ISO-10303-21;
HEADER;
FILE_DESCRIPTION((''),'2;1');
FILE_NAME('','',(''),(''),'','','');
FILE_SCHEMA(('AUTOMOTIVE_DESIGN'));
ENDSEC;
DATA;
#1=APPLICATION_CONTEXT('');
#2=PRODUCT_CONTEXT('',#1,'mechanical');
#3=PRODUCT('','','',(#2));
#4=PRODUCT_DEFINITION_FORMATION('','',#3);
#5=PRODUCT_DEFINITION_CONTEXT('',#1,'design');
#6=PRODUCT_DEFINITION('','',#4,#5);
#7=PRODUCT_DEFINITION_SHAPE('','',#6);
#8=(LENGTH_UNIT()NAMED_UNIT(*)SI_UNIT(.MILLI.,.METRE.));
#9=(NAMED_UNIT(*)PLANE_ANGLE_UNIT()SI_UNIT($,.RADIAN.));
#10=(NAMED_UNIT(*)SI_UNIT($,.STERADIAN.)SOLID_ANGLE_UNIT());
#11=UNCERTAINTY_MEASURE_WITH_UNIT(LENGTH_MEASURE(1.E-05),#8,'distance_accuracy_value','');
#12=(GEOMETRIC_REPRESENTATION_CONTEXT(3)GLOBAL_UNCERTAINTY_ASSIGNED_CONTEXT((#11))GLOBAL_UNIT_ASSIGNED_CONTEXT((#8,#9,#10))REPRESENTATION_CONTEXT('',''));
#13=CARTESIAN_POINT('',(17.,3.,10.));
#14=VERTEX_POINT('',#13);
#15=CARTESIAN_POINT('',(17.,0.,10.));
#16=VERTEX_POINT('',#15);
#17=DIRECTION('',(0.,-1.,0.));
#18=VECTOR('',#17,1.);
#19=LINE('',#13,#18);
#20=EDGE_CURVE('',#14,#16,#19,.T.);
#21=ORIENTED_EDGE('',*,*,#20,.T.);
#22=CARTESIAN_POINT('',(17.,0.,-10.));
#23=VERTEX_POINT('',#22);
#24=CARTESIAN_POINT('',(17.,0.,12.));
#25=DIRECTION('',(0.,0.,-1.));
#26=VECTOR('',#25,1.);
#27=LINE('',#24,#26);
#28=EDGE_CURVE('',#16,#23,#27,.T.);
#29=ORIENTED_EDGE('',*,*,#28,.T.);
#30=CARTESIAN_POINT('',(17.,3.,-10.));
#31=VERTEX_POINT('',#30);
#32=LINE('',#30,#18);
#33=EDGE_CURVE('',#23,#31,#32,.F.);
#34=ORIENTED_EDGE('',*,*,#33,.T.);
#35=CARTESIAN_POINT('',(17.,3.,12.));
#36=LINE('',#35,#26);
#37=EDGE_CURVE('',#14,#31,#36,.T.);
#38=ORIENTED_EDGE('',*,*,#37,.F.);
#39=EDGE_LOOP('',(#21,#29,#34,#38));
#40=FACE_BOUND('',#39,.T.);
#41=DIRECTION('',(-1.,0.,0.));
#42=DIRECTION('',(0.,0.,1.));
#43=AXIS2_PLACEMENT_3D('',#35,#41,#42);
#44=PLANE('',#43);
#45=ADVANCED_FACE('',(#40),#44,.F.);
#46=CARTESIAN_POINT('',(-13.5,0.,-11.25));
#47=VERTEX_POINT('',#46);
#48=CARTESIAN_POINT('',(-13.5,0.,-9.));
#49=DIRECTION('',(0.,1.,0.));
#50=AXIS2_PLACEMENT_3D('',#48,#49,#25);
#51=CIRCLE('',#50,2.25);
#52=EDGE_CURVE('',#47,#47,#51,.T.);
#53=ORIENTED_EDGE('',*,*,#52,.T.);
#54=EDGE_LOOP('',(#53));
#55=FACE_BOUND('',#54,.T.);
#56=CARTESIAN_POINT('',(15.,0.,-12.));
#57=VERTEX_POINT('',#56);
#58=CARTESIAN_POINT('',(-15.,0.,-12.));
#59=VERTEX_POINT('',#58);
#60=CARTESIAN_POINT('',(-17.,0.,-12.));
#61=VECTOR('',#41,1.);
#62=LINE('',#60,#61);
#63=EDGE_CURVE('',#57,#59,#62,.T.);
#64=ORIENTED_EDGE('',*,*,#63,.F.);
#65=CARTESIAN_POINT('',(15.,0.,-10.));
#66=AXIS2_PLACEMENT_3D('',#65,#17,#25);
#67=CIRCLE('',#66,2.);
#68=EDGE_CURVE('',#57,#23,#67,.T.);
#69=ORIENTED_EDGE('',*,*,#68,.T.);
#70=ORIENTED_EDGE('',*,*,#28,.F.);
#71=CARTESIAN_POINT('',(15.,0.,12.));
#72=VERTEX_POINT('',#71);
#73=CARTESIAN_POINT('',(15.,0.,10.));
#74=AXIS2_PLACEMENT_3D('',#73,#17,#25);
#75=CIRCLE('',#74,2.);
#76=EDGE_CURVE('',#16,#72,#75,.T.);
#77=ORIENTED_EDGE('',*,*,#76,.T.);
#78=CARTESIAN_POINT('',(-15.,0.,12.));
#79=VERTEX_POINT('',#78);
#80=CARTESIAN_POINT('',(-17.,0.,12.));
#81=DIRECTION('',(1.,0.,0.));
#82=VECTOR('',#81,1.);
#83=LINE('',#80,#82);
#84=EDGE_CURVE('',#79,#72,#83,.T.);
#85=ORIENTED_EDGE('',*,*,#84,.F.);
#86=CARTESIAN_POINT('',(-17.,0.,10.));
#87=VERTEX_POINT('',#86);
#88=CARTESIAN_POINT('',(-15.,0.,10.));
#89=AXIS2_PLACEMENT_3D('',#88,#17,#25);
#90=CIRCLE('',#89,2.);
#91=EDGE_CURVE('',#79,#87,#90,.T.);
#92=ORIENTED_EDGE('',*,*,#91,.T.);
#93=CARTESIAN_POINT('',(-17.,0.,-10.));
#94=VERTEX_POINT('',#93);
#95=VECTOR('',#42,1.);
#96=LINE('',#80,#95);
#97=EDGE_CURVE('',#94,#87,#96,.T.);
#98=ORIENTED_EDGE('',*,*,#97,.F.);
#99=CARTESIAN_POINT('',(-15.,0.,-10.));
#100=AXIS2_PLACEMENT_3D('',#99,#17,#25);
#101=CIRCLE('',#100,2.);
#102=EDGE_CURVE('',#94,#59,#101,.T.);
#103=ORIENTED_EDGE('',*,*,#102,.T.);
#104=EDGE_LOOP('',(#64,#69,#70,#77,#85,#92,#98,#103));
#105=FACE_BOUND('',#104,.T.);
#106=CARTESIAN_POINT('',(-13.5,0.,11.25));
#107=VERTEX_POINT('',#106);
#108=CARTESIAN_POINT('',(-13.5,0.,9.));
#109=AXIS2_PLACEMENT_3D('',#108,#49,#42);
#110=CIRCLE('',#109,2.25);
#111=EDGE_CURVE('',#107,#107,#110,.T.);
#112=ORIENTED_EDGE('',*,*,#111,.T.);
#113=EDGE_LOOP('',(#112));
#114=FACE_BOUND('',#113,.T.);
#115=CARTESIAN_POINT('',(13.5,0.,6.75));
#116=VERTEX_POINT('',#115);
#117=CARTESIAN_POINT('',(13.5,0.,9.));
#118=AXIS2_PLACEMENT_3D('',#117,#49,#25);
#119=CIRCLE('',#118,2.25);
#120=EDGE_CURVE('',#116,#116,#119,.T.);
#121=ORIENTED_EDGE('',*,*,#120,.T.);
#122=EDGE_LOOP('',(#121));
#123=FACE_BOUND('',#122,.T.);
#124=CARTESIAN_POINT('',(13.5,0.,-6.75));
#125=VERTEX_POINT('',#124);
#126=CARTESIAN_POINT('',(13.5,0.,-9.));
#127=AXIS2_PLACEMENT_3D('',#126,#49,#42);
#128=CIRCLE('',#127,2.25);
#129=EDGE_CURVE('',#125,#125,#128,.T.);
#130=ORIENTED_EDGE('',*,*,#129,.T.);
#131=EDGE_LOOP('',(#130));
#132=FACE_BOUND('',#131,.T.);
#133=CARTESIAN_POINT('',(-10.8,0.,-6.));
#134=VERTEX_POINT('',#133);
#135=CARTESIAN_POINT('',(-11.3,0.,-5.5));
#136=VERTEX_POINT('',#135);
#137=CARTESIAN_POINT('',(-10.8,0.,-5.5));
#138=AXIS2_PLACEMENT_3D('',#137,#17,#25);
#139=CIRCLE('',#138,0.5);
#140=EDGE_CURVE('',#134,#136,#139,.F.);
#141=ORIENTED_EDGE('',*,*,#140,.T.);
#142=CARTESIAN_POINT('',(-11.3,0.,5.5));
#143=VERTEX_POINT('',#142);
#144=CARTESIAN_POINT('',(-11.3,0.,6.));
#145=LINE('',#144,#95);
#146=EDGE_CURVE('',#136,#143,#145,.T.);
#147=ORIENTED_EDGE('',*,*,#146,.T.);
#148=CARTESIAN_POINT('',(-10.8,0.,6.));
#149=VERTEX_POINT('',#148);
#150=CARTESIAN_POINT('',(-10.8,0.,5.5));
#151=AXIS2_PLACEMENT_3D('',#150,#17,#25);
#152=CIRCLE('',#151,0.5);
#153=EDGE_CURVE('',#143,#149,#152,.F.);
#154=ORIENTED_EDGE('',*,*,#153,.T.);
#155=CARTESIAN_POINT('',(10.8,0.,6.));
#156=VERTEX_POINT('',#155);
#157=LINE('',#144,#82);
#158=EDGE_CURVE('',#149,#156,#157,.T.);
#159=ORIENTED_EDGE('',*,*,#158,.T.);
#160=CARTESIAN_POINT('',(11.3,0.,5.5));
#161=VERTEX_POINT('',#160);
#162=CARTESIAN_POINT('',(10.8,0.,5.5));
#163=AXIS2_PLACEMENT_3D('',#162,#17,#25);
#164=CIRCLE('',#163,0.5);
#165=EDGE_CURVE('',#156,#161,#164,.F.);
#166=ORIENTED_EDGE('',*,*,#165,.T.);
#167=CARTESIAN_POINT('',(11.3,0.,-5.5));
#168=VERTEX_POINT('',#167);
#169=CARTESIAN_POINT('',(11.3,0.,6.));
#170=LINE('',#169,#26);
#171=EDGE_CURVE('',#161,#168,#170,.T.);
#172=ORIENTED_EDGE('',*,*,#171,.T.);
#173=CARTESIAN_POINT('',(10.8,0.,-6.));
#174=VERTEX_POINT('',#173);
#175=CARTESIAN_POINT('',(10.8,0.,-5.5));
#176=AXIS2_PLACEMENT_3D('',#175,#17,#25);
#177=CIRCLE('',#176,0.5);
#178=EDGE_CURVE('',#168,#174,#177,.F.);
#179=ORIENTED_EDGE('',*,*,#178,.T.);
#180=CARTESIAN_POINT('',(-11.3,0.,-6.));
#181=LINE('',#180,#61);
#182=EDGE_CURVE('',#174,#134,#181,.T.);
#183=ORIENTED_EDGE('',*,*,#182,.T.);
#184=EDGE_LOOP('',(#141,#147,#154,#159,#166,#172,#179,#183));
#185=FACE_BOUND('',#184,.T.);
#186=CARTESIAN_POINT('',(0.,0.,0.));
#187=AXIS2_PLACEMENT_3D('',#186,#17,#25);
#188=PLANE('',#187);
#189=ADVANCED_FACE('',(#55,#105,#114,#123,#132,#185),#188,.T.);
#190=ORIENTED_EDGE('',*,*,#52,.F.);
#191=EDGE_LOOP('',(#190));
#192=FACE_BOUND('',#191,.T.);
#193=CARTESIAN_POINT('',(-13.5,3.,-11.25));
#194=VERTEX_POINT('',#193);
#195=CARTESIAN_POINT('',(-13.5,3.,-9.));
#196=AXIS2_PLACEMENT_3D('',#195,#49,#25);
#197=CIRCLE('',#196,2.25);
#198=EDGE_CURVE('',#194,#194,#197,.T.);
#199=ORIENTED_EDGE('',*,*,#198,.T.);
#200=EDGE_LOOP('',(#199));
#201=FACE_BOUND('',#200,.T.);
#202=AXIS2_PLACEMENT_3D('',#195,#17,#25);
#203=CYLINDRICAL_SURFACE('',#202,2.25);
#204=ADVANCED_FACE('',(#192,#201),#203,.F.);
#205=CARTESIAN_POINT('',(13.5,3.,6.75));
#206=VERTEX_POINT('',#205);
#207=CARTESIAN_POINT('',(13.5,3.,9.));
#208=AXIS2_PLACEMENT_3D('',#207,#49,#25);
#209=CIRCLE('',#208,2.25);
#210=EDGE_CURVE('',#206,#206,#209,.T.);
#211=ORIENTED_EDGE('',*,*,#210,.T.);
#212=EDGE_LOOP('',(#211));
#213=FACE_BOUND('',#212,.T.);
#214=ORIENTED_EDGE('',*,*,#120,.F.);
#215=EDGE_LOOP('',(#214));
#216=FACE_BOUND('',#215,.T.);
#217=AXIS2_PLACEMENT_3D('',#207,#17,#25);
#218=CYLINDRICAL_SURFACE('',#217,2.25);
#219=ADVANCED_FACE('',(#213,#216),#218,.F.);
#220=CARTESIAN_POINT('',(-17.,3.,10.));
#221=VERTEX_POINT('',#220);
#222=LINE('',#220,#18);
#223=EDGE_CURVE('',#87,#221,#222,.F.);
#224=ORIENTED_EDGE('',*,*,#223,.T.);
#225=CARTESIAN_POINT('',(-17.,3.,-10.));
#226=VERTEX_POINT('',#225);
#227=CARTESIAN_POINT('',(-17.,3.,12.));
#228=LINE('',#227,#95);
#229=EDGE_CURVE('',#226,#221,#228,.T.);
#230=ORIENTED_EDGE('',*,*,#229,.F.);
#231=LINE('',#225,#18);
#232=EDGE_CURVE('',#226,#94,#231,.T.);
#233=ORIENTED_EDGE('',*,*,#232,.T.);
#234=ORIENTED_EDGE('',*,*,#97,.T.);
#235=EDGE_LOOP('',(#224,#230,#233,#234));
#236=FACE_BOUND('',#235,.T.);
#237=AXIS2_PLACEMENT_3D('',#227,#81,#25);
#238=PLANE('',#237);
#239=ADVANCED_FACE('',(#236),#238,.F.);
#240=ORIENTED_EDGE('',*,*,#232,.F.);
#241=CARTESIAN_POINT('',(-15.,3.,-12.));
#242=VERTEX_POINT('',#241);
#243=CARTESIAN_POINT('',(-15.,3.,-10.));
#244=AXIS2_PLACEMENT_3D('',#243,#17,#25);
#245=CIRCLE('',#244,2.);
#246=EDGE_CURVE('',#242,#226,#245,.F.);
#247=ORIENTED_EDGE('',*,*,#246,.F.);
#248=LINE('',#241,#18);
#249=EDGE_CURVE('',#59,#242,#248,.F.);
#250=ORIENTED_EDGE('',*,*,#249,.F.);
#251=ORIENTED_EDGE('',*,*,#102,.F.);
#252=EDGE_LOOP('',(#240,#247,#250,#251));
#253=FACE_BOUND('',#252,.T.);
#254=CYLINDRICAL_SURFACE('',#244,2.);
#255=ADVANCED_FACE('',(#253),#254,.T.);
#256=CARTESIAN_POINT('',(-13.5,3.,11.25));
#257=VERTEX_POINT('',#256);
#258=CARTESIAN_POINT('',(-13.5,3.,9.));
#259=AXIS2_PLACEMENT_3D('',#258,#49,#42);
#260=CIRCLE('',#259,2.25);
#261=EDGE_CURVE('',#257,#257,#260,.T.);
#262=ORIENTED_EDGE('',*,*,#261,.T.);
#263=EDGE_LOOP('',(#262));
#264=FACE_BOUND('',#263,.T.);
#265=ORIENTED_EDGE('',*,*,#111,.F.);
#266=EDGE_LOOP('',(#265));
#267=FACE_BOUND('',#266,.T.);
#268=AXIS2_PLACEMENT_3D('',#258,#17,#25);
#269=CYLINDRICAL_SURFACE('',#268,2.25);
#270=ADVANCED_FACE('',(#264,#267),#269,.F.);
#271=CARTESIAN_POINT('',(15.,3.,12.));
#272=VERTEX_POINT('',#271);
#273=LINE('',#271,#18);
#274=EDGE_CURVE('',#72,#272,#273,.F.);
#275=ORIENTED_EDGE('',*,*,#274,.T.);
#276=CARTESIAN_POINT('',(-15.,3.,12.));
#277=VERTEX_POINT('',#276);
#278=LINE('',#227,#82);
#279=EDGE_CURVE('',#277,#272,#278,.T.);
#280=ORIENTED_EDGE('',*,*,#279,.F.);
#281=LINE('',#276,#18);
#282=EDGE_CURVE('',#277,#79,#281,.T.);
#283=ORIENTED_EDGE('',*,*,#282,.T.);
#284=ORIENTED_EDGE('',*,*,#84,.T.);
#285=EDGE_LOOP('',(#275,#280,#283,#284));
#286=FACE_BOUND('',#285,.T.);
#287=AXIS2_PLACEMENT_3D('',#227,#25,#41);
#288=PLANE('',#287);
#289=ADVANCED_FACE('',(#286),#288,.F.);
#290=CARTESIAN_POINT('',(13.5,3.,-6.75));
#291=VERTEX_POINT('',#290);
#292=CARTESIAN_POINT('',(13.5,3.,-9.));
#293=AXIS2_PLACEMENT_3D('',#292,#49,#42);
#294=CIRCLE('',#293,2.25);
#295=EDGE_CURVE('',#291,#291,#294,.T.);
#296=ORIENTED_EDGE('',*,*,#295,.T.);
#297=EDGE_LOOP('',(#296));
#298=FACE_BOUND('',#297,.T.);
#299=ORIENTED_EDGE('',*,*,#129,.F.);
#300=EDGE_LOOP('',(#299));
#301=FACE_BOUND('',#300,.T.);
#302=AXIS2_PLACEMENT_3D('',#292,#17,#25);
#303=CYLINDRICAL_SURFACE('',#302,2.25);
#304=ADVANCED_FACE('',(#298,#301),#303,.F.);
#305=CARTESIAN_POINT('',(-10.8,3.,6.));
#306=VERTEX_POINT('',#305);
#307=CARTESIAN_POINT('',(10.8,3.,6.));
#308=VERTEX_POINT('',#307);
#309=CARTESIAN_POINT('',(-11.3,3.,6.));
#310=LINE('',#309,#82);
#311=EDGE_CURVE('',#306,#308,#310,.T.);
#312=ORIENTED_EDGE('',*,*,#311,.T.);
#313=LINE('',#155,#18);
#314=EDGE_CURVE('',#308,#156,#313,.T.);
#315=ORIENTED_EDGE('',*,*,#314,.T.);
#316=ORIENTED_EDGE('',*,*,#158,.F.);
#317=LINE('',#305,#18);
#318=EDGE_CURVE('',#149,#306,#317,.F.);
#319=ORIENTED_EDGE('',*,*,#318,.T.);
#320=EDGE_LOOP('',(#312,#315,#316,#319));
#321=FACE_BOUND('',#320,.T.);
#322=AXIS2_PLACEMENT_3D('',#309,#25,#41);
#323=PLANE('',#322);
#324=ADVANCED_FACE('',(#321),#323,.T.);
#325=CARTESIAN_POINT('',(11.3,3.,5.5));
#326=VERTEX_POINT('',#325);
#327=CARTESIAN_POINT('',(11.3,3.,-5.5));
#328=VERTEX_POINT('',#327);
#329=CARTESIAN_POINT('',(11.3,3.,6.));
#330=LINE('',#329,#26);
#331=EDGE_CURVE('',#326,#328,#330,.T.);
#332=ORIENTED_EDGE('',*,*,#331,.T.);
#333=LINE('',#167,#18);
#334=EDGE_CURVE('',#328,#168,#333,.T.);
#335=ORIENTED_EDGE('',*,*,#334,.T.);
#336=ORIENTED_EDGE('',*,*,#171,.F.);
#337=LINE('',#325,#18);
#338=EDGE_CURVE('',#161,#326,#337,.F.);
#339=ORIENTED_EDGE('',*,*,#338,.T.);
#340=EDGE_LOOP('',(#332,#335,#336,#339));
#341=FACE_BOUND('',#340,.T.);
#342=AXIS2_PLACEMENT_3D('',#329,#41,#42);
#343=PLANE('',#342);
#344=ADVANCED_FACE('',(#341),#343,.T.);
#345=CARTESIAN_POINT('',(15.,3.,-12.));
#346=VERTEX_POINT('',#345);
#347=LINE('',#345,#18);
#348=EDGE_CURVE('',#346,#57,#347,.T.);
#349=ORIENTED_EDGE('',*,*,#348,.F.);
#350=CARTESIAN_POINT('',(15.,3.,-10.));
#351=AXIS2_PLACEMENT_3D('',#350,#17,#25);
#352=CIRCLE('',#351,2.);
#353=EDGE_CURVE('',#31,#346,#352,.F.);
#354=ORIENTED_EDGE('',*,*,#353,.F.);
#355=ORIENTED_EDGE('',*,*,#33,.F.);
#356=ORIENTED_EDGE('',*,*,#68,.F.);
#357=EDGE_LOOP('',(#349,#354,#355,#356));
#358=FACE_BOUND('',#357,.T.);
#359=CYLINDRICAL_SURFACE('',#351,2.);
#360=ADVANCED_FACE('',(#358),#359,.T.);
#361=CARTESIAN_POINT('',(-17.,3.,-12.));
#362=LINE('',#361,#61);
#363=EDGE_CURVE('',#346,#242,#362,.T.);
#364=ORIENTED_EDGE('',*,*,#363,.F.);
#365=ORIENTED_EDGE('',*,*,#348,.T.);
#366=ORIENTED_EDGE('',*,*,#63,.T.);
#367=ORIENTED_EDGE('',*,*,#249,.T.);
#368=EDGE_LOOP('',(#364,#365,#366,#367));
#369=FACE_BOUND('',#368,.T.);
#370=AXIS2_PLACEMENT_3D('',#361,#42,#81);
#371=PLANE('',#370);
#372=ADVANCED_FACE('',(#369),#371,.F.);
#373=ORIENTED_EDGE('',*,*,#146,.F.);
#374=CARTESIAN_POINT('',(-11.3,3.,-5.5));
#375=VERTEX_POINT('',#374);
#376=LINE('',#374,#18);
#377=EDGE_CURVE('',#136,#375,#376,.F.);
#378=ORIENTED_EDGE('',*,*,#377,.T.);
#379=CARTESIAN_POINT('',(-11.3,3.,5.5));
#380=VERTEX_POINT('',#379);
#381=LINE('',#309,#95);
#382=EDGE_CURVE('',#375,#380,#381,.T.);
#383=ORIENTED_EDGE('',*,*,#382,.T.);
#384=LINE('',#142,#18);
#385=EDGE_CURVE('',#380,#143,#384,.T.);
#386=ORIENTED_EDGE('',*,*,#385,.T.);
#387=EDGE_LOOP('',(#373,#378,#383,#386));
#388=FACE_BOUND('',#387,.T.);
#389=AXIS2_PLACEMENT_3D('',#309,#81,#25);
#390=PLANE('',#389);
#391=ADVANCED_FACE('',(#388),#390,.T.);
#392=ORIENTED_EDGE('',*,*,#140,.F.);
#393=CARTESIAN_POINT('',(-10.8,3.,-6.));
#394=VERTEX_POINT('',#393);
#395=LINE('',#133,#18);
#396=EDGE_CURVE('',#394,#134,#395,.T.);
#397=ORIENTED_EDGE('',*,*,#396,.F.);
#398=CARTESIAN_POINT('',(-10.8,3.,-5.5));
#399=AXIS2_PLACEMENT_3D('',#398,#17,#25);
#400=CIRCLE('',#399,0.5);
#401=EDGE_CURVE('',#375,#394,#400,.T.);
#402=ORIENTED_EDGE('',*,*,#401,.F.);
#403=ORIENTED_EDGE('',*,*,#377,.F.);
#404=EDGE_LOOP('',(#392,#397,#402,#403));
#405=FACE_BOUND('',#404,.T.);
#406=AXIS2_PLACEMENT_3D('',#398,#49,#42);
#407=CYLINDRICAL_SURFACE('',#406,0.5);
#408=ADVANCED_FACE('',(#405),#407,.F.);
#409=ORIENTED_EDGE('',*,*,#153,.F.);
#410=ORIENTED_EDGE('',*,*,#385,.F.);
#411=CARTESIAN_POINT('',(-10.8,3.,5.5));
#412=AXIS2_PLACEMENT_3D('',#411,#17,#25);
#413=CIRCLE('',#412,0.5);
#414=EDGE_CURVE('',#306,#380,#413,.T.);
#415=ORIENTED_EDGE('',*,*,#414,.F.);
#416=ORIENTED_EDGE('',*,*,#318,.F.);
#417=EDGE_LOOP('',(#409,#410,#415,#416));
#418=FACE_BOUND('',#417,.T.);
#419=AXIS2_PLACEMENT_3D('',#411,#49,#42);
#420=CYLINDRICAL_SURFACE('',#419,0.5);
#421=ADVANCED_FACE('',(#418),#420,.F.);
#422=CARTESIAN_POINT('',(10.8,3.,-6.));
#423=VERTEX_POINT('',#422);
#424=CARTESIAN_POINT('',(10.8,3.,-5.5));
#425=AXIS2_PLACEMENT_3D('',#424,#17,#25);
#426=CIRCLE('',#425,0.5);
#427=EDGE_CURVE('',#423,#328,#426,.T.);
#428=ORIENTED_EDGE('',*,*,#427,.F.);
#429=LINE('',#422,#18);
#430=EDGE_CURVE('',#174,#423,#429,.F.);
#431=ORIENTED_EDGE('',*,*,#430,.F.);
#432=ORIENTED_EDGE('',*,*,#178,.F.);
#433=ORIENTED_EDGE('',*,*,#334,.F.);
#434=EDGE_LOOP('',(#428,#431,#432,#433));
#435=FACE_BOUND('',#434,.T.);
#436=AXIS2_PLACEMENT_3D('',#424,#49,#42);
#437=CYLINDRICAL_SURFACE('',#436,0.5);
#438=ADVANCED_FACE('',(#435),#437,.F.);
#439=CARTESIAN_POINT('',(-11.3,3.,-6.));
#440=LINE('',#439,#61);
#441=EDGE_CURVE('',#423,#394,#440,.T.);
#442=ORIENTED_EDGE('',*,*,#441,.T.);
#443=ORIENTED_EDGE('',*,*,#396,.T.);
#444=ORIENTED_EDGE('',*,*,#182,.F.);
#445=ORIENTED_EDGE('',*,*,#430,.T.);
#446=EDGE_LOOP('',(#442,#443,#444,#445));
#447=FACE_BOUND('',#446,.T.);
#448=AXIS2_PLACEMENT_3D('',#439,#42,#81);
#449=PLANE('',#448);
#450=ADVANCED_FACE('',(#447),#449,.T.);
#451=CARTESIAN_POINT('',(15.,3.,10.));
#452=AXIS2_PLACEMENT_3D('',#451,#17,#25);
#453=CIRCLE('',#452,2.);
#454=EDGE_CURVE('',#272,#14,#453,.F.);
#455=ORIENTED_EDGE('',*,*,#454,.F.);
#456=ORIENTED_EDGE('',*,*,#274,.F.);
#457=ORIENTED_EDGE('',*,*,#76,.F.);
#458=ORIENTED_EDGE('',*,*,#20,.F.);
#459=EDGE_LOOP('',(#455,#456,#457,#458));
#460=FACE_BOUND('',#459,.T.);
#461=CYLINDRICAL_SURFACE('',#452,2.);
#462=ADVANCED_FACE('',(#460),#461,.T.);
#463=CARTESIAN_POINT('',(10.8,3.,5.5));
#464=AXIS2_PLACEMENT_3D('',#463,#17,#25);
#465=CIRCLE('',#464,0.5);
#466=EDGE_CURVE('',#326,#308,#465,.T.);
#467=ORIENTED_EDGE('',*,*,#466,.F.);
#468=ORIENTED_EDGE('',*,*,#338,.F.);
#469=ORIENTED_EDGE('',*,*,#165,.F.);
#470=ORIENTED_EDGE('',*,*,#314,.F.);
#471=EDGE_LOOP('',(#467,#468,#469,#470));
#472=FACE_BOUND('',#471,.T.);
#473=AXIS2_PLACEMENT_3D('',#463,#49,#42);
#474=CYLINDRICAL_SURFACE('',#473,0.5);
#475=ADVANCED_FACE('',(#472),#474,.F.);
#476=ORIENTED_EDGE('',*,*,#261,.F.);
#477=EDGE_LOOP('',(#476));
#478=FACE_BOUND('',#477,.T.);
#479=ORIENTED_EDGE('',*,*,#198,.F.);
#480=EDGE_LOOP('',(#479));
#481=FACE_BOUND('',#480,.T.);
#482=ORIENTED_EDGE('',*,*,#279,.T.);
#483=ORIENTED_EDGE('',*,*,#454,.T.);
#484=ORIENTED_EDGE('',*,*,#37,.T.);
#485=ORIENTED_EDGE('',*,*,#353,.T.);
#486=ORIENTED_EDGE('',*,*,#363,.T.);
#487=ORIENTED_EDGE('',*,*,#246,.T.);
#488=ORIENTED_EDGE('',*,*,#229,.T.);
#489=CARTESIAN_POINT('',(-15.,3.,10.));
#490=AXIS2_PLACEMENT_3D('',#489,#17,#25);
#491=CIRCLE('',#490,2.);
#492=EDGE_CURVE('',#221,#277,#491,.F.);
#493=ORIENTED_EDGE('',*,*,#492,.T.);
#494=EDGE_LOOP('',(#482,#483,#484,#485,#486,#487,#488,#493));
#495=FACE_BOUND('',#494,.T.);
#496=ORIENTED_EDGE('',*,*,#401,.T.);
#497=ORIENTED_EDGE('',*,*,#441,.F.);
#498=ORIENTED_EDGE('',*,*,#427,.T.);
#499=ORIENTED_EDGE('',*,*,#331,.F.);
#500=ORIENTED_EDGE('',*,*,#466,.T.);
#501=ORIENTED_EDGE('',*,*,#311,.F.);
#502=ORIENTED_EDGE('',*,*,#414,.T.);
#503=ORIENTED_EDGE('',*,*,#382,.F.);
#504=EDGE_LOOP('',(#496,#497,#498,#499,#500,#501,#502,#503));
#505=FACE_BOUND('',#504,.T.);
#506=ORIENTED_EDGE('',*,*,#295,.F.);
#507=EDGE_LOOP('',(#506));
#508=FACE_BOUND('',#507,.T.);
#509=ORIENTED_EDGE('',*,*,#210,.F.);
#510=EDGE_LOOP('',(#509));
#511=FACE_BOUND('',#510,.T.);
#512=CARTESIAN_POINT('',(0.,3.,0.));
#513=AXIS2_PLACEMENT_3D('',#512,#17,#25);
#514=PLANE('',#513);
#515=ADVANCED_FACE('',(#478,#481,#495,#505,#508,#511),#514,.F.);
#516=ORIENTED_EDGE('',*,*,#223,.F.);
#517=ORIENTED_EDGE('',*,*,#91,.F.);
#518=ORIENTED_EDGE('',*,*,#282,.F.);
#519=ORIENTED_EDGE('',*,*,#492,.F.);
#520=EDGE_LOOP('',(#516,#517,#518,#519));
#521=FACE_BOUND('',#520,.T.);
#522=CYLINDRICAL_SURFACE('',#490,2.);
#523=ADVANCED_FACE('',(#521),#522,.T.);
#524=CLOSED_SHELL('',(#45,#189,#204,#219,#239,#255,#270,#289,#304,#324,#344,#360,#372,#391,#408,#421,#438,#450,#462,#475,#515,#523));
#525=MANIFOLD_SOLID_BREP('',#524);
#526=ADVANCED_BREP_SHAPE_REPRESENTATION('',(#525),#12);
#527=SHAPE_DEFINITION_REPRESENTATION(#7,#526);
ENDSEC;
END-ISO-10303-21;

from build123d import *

# Parameters (mm, degrees)
SKETCH1_W           = 34
SKETCH1_H           = 24
SKETCH1_R           = 2.25
SKETCH1_W_2         = 22.6
SKETCH1_H_2         = 12
BOSS_EXTRUDE1_DEPTH = 3
FILLET1_R           = 0.5
FILLET2_R           = 2


with BuildPart() as part:
    # Sketch1 → Boss-Extrude1 (new body)
    with BuildSketch(Plane(origin=(0, 0, 0), x_dir=(1, 0, 0), z_dir=(0, 1, 0))):
        Rectangle(SKETCH1_W, SKETCH1_H)
        with Locations((-13.5, -9)):
            Circle(SKETCH1_R, mode=Mode.SUBTRACT)
        with Locations((-13.5, 9)):
            Circle(SKETCH1_R, mode=Mode.SUBTRACT)
        with Locations((13.5, -9)):
            Circle(SKETCH1_R, mode=Mode.SUBTRACT)
        with Locations((13.5, 9)):
            Circle(SKETCH1_R, mode=Mode.SUBTRACT)
        Rectangle(SKETCH1_W_2, SKETCH1_H_2, mode=Mode.SUBTRACT)
    extrude(amount=BOSS_EXTRUDE1_DEPTH)

    # Fillet1
    fillet1_edges = [part.edges().sort_by_distance(p)[0] for p in [
        (11.3, 1.5, 6),
        (11.3, 1.5, -6),
        (-11.3, 1.5, -6),
        (-11.3, 1.5, 6),
    ]]
    fillet(fillet1_edges, radius=FILLET1_R)

    # Fillet2
    fillet2_edges = [part.edges().sort_by_distance(p)[0] for p in [
        (17, 1.5, 12),
        (-17, 1.5, 12),
        (-17, 1.5, -12),
        (17, 1.5, -12),
    ]]
    fillet(fillet2_edges, radius=FILLET2_R)


solid = part.part
